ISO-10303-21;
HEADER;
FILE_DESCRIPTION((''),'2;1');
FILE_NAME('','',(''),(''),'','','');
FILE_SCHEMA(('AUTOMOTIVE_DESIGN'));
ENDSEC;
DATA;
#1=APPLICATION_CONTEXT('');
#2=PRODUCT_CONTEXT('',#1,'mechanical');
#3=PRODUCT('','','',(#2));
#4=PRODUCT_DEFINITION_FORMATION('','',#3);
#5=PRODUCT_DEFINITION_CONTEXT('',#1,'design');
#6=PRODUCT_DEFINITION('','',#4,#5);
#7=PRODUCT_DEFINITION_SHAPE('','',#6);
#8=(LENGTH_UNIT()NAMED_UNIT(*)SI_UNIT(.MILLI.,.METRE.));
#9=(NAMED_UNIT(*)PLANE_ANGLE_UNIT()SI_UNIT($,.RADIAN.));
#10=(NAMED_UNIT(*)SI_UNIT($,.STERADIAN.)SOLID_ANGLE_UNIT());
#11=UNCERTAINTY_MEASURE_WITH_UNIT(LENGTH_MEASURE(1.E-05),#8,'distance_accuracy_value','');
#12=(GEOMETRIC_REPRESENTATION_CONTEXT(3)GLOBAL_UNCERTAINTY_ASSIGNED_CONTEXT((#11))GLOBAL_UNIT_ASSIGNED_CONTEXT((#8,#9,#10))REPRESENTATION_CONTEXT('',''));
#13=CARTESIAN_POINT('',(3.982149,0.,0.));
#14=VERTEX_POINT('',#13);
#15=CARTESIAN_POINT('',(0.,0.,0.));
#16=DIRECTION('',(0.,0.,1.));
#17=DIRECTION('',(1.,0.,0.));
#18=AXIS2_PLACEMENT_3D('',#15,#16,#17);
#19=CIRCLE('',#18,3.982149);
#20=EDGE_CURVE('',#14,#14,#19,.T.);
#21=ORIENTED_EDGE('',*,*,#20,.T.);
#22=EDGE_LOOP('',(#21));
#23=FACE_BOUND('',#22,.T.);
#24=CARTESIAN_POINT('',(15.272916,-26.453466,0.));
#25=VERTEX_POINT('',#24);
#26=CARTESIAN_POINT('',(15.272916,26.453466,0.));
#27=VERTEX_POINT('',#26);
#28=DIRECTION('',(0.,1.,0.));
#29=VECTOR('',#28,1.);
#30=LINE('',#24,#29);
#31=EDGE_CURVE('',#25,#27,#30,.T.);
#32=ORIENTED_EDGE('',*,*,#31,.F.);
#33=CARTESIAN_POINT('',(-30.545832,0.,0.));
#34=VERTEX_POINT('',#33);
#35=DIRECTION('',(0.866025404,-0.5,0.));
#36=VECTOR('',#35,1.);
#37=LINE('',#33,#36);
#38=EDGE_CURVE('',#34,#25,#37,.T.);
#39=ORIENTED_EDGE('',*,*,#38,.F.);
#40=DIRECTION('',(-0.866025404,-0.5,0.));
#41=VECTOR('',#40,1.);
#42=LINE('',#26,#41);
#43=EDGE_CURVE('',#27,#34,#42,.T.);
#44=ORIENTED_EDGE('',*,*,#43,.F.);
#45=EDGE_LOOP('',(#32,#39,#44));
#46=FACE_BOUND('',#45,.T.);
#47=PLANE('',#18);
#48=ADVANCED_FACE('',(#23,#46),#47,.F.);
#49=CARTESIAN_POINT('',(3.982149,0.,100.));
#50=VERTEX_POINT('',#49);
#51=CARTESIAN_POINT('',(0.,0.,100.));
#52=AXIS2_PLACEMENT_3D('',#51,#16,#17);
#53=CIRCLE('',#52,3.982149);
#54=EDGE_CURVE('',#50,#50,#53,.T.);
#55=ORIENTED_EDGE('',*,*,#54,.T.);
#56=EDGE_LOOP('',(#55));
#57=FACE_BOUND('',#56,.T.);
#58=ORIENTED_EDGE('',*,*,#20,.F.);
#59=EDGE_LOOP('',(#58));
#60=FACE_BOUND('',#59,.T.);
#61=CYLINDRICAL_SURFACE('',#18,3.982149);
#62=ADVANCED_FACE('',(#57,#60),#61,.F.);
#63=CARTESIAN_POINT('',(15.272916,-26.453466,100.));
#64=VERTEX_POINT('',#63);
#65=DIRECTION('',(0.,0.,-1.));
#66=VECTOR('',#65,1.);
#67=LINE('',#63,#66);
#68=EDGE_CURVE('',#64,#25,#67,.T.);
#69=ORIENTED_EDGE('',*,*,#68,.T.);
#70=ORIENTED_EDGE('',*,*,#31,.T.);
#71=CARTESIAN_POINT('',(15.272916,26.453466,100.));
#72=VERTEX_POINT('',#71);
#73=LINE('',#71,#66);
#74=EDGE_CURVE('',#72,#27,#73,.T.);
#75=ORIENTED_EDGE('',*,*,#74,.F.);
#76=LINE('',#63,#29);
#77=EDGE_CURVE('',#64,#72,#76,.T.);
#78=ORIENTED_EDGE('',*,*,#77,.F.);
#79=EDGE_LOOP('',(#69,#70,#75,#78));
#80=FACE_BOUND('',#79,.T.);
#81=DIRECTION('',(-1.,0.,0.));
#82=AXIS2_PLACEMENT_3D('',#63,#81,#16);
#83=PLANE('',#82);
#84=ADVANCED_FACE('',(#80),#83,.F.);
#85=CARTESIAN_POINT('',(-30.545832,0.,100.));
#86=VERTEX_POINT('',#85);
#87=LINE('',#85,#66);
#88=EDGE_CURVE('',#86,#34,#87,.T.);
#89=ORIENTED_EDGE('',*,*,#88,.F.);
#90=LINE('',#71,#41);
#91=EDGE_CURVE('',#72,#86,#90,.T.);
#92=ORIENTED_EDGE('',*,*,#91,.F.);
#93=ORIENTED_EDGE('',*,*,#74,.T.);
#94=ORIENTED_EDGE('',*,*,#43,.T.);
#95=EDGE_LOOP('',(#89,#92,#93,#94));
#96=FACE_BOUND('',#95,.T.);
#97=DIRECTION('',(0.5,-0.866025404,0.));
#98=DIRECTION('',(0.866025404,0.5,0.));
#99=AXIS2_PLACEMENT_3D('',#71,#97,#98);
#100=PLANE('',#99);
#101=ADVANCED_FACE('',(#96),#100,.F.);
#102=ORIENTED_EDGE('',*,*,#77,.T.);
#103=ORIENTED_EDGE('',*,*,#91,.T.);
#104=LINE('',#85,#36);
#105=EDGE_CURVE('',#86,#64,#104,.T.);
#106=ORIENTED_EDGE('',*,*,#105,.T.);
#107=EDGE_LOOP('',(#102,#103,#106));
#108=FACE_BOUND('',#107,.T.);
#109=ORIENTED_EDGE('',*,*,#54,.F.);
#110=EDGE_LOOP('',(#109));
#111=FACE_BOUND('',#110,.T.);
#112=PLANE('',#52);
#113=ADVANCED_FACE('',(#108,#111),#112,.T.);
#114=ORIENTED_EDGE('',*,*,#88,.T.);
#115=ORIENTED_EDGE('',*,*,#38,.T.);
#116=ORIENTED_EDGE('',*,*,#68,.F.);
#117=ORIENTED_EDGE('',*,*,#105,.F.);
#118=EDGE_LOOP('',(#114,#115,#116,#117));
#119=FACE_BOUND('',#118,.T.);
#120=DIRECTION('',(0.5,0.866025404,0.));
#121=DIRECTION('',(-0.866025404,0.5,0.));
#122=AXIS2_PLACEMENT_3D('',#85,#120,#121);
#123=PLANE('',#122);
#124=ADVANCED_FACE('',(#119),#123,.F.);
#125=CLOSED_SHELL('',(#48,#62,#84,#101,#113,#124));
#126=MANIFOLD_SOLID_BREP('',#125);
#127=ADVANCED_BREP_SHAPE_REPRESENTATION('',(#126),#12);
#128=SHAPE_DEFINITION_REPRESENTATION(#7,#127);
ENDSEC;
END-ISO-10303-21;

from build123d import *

# Parameters (mm, degrees)
BOSS_EXTRUDE2_DEPTH = 100
SKETCH3_R           = 3.982149342
CUT_EXTRUDE1_DEPTH  = 100


with BuildPart() as part:
    # Sketch2 → Boss-Extrude2 (new body)
    with BuildSketch(Plane.XY):
        Polygon((15.272915778, 26.453466107), (-30.545831555, 0), (15.272915778, -26.453466107), align=None)
    extrude(amount=BOSS_EXTRUDE2_DEPTH)

    # Sketch3 → Cut-Extrude1 (cut)
    with BuildSketch(Plane.XY.offset(100)):
        Circle(SKETCH3_R)
    extrude(amount=-CUT_EXTRUDE1_DEPTH, mode=Mode.SUBTRACT)


solid = part.part
